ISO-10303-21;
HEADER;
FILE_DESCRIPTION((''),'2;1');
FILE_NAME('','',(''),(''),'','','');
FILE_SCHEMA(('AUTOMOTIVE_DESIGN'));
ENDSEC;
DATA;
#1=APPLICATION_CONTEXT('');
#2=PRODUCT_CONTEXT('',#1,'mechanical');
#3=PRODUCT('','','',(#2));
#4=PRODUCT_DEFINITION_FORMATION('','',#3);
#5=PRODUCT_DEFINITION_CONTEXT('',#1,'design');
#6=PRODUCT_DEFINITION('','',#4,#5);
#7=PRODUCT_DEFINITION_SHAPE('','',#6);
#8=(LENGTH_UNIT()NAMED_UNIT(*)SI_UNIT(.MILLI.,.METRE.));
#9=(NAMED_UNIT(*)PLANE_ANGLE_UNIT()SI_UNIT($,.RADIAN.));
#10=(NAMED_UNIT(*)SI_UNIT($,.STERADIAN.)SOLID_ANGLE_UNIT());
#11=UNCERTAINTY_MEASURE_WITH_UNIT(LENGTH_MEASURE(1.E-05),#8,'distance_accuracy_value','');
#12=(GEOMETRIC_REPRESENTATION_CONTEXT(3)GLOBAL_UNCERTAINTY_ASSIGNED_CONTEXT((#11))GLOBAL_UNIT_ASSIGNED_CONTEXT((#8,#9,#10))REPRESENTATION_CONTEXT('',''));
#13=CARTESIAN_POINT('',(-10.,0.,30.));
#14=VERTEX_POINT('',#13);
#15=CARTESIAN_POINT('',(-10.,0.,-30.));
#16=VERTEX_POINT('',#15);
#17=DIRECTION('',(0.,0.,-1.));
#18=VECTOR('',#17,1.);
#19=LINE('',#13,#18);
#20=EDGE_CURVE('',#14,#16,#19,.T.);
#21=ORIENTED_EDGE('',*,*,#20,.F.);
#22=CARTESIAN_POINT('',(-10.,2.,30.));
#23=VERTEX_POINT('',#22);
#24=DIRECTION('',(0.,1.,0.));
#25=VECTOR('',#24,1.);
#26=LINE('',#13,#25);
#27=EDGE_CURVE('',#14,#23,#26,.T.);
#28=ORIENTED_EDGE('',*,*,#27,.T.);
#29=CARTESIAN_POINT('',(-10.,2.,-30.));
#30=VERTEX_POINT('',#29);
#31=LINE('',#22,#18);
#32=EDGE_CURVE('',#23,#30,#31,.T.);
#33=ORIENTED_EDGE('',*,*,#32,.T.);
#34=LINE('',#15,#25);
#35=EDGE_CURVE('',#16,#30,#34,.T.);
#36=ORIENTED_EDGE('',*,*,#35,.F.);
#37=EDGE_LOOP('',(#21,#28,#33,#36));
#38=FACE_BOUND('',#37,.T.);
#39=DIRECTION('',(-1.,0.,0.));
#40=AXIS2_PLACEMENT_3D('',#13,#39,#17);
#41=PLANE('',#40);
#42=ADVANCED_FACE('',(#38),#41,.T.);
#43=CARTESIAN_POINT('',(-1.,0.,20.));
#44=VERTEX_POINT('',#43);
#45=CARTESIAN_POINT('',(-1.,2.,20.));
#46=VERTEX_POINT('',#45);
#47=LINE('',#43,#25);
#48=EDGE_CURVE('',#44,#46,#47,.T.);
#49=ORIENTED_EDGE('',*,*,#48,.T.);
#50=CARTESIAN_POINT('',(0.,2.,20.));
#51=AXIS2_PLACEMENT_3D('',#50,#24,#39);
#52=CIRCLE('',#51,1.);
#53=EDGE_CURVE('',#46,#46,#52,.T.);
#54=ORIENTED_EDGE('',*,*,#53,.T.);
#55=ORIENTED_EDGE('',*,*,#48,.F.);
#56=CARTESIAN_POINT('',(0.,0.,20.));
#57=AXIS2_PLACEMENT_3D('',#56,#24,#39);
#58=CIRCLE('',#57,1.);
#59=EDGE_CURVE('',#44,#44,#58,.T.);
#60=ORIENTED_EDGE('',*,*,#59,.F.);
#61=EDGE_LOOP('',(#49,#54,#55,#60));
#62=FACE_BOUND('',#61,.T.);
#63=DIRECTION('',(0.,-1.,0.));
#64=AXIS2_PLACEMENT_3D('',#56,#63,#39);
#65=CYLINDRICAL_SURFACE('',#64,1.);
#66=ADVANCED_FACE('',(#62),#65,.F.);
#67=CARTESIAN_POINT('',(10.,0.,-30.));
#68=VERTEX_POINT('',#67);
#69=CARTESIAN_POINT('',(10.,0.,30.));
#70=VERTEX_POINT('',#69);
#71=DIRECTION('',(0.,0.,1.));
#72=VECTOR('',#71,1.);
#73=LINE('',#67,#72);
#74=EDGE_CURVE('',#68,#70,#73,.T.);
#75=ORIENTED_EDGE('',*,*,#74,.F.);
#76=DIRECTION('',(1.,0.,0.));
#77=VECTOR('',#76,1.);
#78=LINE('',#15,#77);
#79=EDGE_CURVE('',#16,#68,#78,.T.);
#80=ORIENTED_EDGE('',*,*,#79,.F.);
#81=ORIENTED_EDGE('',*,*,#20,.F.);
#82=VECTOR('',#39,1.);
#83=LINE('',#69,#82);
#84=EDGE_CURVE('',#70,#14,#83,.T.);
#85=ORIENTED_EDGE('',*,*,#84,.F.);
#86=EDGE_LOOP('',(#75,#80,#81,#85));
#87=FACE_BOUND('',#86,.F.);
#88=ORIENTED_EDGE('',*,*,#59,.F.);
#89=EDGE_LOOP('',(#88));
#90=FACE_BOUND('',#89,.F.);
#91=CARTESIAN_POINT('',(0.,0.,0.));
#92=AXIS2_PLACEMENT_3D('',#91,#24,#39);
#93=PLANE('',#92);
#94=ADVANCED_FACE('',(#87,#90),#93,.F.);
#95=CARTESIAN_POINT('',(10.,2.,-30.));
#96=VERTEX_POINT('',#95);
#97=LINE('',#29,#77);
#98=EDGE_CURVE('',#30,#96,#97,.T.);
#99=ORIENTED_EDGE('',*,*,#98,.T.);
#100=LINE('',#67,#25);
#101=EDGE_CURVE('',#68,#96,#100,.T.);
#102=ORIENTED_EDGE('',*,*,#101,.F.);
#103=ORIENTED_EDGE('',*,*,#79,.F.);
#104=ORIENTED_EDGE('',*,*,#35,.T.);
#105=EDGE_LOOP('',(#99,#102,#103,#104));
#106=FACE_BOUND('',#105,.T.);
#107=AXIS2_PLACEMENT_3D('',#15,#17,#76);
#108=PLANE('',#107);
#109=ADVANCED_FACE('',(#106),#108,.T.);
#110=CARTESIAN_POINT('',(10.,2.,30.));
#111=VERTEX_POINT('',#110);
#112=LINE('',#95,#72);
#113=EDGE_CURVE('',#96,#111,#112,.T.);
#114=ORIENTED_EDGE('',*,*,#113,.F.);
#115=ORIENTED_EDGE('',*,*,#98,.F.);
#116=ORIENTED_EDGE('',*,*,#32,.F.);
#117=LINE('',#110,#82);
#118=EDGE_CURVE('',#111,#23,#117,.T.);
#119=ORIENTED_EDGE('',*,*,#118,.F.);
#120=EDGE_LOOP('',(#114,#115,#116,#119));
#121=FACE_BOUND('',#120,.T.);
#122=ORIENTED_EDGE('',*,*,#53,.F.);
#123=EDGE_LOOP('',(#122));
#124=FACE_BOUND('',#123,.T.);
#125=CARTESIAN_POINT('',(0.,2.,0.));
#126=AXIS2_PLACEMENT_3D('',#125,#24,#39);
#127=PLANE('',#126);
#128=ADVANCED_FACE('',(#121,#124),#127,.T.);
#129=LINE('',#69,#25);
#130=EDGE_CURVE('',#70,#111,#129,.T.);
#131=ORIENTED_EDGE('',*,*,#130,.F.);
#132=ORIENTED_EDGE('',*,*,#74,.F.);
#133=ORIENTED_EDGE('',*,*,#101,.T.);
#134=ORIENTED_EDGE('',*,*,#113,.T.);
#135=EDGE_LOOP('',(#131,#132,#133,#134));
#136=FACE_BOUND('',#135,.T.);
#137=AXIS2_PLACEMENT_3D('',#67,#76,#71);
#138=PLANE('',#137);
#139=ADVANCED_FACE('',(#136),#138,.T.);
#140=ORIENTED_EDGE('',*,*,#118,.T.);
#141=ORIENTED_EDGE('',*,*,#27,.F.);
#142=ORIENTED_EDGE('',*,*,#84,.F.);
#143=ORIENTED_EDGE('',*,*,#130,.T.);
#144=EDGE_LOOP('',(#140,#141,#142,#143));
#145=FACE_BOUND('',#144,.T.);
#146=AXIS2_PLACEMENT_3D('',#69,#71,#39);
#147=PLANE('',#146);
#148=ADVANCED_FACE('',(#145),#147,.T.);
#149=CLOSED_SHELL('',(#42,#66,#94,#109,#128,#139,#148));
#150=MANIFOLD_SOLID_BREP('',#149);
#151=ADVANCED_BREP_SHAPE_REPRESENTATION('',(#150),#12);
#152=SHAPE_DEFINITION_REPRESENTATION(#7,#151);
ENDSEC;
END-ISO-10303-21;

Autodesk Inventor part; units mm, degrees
ref_plane "YZ Plane" through (0, 0, 0) normal (1, 0, 0) x (0, 1, 0)
ref_plane "XZ Plane" through (0, 0, 0) normal (0, 1, 0) x (-1, 0, 0)
ref_plane "XY Plane" through (0, 0, 0) normal (0, 0, 1) x (1, 0, 0)
sketch "Skizze1" plane through (0, 0, 0) normal (0, 1, 0) x (-1, 0, 0)
  line L0 (-10, 30) -> (10, 30)
  line L1 (10, 30) -> (10, -30)
  line L2 (10, -30) -> (-10, -30)
  line L3 (-10, -30) -> (-10, 30)
  line L4 (-10, 30) -> (10, -30) construction
  line L5 (10, 30) -> (-10, -30) construction
  circle A0 centre (0, 20) radius 1
  point P0 (0, 0)
  point P1 (0, 0)
  dimension "d0" = 60
  dimension "d1" = 20
  dimension "d2" = 2
  dimension "d3" = 10
extrude "Extrusion1" add sketch "Skizze1" along normal blind 2
properties part number "Grundplatte"
